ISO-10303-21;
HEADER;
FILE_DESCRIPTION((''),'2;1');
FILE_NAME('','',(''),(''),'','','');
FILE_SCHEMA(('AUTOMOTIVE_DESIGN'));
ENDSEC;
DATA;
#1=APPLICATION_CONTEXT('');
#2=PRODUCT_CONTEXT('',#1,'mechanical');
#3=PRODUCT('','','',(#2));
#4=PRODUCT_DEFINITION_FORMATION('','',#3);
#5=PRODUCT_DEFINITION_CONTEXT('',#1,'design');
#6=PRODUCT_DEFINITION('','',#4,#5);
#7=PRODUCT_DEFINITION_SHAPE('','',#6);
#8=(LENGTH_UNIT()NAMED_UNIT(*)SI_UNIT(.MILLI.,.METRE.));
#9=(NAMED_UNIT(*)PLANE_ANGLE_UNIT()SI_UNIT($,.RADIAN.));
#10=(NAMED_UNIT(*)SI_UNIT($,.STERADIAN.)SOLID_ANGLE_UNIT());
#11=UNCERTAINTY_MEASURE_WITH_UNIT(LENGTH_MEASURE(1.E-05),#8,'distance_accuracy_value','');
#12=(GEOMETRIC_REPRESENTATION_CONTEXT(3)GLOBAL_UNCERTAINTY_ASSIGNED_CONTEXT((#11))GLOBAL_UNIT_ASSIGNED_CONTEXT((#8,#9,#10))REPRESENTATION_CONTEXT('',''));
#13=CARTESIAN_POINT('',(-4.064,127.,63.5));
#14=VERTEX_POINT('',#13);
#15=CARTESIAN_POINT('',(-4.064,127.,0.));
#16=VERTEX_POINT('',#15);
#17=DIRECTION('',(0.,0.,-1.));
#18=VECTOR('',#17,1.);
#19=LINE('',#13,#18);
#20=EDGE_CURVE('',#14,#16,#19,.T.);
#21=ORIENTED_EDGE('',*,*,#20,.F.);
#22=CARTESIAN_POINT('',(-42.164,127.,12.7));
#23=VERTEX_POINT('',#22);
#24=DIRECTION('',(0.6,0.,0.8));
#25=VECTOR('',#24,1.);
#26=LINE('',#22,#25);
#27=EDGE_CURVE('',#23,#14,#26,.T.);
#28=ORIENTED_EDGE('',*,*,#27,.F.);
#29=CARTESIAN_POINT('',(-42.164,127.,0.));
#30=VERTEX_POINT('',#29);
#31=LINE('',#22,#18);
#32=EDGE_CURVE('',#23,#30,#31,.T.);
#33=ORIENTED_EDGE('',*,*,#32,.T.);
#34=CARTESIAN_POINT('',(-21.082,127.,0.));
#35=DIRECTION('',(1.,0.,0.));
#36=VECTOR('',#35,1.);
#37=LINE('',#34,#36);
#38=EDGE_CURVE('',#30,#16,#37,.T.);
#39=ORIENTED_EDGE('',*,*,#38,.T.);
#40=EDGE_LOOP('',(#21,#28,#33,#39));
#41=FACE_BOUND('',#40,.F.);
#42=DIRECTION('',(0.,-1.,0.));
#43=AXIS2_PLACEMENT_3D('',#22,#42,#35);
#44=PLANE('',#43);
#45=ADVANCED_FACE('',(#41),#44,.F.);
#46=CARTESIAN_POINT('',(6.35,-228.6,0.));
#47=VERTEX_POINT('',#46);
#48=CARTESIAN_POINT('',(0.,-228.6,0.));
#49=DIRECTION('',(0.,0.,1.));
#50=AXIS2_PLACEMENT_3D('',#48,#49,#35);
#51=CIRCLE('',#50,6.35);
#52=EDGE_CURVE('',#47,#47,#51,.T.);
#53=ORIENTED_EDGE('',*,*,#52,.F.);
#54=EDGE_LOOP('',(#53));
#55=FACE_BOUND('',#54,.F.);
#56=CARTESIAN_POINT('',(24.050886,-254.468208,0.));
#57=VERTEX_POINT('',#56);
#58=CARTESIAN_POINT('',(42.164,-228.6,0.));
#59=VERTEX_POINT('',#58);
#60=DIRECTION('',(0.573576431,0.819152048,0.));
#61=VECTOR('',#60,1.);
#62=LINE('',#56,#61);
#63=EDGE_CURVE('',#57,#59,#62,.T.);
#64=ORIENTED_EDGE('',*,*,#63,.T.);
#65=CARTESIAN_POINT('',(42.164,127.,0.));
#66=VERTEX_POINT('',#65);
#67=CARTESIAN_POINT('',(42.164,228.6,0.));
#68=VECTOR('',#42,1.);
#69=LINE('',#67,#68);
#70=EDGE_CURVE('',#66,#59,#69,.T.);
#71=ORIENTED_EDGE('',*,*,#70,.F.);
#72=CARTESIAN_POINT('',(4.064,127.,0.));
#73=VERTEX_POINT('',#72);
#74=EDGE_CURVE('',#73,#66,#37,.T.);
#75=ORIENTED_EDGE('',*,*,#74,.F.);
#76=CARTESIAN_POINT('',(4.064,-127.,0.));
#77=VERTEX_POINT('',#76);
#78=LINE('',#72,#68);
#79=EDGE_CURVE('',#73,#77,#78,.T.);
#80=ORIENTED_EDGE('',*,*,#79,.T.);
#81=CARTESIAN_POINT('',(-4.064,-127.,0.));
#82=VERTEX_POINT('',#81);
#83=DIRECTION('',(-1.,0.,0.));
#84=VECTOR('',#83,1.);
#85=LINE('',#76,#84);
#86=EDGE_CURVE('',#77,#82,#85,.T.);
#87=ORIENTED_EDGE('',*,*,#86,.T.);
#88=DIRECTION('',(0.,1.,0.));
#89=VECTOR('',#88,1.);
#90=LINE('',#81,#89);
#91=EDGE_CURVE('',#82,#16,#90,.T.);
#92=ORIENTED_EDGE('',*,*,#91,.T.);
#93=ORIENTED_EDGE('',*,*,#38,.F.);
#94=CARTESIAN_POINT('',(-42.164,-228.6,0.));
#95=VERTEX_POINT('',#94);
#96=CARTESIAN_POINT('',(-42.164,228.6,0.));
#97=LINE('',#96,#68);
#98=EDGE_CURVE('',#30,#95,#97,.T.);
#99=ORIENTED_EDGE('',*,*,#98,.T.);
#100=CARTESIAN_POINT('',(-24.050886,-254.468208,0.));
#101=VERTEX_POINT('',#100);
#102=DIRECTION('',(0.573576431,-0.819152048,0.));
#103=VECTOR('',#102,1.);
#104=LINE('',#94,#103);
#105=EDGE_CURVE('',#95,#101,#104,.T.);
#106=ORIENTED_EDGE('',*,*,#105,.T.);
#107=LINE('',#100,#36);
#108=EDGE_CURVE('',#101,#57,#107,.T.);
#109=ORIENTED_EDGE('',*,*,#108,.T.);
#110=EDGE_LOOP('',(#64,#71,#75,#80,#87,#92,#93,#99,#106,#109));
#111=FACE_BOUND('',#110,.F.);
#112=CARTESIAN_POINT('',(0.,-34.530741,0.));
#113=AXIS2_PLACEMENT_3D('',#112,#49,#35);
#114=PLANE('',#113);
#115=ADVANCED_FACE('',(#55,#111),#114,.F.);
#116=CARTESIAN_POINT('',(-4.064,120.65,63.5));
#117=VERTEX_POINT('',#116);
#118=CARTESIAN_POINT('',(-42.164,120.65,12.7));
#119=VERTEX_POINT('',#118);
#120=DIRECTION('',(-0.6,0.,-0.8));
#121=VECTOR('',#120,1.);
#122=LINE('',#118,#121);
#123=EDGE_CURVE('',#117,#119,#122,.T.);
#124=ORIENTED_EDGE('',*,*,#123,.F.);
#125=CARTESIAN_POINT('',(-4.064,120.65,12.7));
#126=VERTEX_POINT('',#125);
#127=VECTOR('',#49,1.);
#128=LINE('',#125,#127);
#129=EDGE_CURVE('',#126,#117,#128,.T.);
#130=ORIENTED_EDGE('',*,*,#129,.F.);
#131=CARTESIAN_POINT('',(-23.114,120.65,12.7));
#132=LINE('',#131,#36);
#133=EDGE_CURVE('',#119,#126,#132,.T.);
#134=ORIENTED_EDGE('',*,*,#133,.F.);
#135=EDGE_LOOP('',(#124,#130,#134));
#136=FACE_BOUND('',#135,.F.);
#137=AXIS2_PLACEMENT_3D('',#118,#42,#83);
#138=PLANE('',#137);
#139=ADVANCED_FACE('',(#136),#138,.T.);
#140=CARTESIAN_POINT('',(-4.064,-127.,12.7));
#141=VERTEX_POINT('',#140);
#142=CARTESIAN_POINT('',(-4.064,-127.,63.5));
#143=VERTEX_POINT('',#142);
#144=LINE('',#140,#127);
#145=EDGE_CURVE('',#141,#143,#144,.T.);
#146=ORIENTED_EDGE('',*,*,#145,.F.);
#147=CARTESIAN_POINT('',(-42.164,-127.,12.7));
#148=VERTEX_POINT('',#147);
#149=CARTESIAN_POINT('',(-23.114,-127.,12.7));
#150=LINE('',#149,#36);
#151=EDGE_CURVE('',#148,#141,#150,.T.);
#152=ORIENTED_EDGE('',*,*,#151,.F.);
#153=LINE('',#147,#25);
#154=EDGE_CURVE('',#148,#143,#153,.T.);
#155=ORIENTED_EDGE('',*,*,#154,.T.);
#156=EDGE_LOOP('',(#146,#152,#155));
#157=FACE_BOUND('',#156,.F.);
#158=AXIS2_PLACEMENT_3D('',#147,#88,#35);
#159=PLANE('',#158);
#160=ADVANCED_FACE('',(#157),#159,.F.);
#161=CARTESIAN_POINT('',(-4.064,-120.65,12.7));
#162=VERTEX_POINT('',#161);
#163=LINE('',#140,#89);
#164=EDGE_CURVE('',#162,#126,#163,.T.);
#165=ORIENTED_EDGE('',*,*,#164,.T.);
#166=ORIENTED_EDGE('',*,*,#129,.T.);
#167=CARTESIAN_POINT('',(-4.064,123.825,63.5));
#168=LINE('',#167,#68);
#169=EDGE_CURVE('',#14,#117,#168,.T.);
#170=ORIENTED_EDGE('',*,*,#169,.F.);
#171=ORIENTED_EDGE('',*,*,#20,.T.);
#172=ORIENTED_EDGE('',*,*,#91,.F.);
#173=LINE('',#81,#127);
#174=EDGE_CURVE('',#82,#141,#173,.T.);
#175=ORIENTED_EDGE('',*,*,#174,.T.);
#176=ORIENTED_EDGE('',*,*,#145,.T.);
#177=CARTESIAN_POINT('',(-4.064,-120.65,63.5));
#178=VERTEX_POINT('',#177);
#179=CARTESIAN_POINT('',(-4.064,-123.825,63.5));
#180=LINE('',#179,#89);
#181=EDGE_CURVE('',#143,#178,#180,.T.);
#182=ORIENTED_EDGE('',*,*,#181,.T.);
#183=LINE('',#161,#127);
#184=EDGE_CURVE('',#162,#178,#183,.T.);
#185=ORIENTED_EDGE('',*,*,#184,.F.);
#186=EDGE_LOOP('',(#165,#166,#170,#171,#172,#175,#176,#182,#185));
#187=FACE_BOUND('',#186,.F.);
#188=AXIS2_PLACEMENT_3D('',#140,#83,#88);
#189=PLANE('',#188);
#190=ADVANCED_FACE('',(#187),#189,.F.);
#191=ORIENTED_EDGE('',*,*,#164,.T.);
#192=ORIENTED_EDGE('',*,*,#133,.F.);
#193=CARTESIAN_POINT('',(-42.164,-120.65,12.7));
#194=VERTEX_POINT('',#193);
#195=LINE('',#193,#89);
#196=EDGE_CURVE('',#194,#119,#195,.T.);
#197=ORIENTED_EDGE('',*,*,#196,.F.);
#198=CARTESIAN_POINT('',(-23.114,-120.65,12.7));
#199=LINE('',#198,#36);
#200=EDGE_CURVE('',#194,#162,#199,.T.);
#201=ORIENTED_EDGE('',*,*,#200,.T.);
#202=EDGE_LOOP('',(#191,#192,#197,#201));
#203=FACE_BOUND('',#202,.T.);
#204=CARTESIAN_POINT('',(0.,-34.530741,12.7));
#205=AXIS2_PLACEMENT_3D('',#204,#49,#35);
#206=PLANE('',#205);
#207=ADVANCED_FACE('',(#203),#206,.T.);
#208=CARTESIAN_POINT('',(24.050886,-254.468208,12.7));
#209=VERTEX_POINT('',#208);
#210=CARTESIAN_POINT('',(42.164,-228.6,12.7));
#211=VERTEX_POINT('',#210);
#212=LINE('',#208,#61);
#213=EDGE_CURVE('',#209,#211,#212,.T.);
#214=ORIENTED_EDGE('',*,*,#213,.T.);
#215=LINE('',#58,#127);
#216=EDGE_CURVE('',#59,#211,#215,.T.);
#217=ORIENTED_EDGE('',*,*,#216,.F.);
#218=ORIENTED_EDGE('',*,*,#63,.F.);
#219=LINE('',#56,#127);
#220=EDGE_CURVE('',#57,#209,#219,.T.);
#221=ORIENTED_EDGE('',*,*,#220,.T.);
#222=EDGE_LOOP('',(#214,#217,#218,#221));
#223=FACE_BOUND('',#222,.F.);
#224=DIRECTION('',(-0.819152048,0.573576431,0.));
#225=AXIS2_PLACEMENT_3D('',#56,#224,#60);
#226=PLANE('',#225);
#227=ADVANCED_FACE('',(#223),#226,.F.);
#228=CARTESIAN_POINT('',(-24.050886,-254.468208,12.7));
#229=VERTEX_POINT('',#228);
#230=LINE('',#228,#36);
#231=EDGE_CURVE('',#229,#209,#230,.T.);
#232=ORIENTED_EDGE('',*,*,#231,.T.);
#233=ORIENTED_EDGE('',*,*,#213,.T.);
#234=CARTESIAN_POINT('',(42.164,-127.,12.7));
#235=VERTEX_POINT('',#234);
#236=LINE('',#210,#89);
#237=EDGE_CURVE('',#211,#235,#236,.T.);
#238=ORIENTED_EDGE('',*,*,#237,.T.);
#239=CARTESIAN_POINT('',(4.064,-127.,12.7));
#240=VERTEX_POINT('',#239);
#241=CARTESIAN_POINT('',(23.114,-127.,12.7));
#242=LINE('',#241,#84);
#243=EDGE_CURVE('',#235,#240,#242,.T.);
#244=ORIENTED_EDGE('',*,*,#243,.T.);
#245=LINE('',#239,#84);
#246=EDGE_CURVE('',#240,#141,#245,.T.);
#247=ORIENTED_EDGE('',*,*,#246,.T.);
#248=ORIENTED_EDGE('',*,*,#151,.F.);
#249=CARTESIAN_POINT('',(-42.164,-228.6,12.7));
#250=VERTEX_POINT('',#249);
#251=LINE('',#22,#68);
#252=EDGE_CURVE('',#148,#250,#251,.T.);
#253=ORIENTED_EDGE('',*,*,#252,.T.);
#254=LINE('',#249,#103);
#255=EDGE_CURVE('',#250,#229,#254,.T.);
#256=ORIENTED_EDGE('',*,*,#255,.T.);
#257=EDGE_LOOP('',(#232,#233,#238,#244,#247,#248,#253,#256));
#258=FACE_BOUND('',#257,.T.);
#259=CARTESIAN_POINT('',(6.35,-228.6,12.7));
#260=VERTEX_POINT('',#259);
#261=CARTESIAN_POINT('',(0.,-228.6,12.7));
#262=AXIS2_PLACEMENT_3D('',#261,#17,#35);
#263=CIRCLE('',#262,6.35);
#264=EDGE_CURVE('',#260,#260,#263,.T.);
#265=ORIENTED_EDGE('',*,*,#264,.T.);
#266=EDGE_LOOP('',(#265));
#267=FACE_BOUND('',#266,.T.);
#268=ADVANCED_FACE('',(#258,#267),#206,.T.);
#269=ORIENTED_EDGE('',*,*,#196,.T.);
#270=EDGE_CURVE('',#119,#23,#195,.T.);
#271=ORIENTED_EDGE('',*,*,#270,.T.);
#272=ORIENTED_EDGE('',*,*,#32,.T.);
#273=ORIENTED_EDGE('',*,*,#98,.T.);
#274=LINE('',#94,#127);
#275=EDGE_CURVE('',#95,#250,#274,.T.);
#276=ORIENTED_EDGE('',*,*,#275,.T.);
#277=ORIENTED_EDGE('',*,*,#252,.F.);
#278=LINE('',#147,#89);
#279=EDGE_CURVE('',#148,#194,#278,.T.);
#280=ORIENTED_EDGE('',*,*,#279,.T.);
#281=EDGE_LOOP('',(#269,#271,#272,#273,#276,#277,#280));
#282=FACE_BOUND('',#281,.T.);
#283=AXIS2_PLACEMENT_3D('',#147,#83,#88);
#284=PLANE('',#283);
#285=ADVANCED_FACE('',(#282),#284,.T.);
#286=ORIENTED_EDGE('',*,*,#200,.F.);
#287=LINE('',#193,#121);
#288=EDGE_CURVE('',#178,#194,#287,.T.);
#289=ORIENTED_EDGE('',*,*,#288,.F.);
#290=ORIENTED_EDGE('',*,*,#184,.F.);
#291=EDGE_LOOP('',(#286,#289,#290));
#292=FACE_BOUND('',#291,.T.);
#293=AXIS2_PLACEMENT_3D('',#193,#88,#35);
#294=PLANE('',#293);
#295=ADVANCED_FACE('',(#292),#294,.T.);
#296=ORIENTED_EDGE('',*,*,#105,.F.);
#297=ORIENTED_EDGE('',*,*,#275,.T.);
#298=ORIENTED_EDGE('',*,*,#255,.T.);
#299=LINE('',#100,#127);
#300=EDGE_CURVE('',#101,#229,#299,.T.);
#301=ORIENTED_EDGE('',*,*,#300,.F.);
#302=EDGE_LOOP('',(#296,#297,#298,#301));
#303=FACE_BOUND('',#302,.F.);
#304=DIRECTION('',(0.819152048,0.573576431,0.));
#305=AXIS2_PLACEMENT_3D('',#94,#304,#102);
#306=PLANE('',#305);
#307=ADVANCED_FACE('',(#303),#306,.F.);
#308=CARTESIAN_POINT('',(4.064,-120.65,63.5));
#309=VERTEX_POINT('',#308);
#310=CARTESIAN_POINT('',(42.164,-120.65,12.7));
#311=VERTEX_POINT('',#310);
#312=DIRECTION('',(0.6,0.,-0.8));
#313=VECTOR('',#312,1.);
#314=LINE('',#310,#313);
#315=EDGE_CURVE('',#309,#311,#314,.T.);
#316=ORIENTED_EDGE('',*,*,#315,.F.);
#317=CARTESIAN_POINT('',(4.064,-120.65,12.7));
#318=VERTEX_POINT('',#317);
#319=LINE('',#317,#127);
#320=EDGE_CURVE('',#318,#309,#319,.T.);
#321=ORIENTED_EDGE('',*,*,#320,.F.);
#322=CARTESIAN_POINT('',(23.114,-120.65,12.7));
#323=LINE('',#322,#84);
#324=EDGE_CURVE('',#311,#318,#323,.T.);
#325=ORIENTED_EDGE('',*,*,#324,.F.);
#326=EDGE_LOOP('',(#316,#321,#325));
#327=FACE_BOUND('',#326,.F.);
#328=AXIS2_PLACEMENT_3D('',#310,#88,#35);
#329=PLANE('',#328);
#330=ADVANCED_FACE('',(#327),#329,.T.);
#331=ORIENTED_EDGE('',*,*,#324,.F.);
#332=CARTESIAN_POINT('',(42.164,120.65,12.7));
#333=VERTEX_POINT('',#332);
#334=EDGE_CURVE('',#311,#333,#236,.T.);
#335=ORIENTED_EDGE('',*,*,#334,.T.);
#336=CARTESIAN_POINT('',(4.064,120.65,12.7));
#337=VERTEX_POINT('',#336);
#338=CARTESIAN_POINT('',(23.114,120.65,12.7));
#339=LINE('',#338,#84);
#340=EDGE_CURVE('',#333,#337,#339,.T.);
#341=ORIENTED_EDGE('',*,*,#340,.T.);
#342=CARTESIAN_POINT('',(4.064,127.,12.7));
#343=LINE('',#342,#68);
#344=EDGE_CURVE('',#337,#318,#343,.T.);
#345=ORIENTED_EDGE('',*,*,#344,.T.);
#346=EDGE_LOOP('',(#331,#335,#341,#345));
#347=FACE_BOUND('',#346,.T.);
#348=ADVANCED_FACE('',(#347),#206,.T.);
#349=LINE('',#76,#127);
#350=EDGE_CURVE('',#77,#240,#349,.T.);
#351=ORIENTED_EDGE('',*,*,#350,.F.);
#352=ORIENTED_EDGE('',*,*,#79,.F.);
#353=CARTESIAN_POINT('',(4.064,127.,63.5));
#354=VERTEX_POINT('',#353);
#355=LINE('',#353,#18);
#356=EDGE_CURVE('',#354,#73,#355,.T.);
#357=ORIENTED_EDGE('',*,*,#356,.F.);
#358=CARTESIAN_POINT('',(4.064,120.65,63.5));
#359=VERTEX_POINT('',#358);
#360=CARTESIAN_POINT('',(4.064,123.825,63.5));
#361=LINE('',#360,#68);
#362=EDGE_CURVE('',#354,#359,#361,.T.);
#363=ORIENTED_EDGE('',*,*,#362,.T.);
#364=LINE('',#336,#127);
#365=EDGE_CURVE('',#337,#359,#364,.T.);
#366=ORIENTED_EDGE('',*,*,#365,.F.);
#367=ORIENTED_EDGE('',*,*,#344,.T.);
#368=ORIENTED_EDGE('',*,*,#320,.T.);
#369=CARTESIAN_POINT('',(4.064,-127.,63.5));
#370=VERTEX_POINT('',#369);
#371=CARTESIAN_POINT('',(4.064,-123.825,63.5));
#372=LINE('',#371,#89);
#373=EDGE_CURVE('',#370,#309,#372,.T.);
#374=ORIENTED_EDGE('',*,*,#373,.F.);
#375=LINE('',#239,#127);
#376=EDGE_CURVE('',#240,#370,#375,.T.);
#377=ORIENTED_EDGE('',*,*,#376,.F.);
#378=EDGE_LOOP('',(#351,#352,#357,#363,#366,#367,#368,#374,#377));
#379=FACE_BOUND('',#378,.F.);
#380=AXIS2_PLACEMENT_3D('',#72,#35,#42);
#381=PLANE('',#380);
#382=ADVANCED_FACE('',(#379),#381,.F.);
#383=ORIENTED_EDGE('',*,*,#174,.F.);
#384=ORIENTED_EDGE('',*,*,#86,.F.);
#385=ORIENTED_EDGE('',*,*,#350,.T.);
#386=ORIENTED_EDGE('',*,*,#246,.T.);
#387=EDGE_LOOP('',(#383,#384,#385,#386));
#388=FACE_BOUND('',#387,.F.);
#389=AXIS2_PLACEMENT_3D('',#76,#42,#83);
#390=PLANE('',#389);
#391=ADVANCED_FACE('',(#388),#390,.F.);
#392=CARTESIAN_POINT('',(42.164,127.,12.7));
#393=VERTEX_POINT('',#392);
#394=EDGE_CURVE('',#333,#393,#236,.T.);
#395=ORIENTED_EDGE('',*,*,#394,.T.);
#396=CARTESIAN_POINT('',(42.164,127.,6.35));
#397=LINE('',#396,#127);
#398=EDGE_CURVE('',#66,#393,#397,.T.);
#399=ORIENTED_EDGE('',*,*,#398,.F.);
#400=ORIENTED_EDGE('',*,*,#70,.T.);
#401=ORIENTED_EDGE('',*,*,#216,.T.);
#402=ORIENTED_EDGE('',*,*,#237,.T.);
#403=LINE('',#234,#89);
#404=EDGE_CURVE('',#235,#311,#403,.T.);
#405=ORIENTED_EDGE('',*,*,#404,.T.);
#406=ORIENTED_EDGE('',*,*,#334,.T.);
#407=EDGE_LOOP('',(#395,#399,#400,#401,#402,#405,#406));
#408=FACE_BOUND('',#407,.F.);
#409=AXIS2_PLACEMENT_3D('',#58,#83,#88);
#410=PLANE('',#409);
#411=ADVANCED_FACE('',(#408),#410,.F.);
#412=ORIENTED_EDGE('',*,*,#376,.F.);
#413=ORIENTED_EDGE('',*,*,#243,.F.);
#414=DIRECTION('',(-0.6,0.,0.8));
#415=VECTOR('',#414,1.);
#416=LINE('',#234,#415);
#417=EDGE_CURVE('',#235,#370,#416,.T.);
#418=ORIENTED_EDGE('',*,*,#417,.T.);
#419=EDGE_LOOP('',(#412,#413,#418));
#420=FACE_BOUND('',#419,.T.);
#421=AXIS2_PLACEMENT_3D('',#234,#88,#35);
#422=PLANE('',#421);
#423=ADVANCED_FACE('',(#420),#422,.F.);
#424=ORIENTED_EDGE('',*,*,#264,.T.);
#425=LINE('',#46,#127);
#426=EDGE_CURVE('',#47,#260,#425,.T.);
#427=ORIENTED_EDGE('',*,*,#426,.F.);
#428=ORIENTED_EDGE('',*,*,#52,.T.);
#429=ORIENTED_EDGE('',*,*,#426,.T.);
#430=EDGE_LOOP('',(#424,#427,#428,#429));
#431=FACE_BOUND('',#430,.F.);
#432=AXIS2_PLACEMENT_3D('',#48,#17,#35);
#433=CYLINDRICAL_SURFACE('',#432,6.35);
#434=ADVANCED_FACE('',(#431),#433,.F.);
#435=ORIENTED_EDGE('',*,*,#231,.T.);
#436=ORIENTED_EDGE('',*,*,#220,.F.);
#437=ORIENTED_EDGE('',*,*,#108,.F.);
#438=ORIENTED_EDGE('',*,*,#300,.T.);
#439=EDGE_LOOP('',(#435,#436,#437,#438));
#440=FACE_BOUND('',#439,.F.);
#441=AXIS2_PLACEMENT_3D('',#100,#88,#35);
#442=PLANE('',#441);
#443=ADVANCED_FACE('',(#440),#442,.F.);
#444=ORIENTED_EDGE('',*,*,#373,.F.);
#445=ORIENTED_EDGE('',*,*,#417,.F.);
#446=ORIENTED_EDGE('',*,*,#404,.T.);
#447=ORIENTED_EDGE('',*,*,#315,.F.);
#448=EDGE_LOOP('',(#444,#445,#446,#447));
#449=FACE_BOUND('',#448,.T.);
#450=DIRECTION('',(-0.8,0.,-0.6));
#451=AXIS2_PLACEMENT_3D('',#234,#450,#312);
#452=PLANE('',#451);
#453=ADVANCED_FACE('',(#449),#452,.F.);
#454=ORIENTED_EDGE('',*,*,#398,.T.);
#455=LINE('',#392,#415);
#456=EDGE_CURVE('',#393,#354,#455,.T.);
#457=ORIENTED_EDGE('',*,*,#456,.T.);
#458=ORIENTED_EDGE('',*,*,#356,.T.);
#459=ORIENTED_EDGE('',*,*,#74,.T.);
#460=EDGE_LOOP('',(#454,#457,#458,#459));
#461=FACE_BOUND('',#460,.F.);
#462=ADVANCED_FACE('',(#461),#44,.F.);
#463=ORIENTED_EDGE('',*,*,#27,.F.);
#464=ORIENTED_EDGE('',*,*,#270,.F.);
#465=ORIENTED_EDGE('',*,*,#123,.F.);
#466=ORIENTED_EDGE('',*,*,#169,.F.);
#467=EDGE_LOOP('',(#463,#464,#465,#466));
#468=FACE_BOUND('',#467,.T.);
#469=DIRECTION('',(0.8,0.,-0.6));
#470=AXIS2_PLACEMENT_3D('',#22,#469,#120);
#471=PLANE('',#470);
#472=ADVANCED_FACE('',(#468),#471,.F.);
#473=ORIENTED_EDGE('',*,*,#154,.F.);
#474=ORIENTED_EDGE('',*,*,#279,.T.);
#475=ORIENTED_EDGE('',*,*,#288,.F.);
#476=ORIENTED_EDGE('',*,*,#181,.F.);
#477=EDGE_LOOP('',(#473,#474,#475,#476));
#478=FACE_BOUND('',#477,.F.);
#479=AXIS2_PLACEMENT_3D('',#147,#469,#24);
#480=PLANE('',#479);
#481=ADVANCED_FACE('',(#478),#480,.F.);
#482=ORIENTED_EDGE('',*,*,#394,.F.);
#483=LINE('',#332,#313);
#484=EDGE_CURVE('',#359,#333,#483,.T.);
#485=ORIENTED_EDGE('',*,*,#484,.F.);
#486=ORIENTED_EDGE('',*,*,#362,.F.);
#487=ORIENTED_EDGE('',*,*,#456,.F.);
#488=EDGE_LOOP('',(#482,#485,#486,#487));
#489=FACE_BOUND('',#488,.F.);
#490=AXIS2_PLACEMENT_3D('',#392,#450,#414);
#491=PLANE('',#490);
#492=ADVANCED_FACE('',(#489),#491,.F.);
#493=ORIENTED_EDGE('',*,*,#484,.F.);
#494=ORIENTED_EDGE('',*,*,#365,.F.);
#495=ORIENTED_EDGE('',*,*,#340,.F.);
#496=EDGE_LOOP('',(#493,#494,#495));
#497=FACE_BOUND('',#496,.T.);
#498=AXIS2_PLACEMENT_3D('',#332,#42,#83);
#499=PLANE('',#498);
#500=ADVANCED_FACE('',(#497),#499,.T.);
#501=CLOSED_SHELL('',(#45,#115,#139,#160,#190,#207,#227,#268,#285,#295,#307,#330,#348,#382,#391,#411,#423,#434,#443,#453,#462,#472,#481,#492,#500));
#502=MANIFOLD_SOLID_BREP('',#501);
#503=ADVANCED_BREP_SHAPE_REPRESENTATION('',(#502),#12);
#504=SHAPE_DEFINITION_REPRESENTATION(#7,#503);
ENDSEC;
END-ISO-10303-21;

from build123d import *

# Parameters (mm, degrees)
F1_DEPTH = 12.7
F2_W     = 38.1
F2_H     = 6.35
F3_DEPTH = 50.8
F5_DEPTH = 25.4
F8_W     = 130.532998
F8_H     = 167.270158
F9_DEPTH = 25.4


with BuildPart() as f1:
    # F0 (on Top) → F1 (new body)
    with BuildSketch(Plane.XY):
        with BuildLine():
            Line((4.064, 127), (4.064, -127))
            Line((4.064, -127), (-4.064, -127))
            Line((-4.064, -127), (-4.064, 127))
            Line((-4.064, 127), (-42.164, 127))
            Line((-42.164, 127), (-42.164, -127))
            Line((-42.164, -127), (-42.164, -228.6))
            Line((-42.164, -228.6), (-6.35, -228.6))
            ThreePointArc((-6.35, -228.6), (0, -222.25), (6.35, -228.6))
            Line((6.35, -228.6), (42.164, -228.6))
            Line((42.164, -228.6), (42.164, -127))
            Line((42.164, -127), (42.164, 127))
            Line((42.164, 127), (4.064, 127))
        make_face()
        with BuildLine():
            Line((24.050886, -254.468208), (42.164, -228.6))
            Line((42.164, -228.6), (6.35, -228.6))
            ThreePointArc((6.35, -228.6), (0, -234.95), (-6.35, -228.6))
            Line((-6.35, -228.6), (-42.164, -228.6))
            Line((-42.164, -228.6), (-24.050886, -254.468208))
            Line((-24.050886, -254.468208), (24.050886, -254.468208))
        make_face()
    extrude(amount=F1_DEPTH)

    # F2 (on face) → F3 (join)
    with BuildSketch(Plane.XY.offset(12.7)):
        with Locations((-23.114, -123.825)):
            Rectangle(F2_W, F2_H)
    extrude(amount=F3_DEPTH)

    # F4 (on face) → F5 (cut)
    with BuildSketch(Plane.XZ.offset(127)):
        Polygon((-42.164, 12.7), (-4.064, 63.5), (-42.164, 63.5), align=None)
    extrude(amount=-F5_DEPTH, mode=Mode.SUBTRACT)

    # F6: F1 across plane


with BuildPart() as f1_1:
    add(f1.part)
    add(f1.part.mirror(Plane.YZ))

    # F7: F1 across plane


with BuildPart() as f1_2:
    add(f1_1.part)
    add(f1_1.part.mirror(Plane.XZ))

    # F8 (on face) → F9 (cut)
    with BuildSketch(Plane.XY.offset(12.7)):
        with Locations((23.102499, 210.635079)):
            Rectangle(F8_W, F8_H)
    extrude(amount=-F9_DEPTH, mode=Mode.SUBTRACT)


solid = f1_2.part
